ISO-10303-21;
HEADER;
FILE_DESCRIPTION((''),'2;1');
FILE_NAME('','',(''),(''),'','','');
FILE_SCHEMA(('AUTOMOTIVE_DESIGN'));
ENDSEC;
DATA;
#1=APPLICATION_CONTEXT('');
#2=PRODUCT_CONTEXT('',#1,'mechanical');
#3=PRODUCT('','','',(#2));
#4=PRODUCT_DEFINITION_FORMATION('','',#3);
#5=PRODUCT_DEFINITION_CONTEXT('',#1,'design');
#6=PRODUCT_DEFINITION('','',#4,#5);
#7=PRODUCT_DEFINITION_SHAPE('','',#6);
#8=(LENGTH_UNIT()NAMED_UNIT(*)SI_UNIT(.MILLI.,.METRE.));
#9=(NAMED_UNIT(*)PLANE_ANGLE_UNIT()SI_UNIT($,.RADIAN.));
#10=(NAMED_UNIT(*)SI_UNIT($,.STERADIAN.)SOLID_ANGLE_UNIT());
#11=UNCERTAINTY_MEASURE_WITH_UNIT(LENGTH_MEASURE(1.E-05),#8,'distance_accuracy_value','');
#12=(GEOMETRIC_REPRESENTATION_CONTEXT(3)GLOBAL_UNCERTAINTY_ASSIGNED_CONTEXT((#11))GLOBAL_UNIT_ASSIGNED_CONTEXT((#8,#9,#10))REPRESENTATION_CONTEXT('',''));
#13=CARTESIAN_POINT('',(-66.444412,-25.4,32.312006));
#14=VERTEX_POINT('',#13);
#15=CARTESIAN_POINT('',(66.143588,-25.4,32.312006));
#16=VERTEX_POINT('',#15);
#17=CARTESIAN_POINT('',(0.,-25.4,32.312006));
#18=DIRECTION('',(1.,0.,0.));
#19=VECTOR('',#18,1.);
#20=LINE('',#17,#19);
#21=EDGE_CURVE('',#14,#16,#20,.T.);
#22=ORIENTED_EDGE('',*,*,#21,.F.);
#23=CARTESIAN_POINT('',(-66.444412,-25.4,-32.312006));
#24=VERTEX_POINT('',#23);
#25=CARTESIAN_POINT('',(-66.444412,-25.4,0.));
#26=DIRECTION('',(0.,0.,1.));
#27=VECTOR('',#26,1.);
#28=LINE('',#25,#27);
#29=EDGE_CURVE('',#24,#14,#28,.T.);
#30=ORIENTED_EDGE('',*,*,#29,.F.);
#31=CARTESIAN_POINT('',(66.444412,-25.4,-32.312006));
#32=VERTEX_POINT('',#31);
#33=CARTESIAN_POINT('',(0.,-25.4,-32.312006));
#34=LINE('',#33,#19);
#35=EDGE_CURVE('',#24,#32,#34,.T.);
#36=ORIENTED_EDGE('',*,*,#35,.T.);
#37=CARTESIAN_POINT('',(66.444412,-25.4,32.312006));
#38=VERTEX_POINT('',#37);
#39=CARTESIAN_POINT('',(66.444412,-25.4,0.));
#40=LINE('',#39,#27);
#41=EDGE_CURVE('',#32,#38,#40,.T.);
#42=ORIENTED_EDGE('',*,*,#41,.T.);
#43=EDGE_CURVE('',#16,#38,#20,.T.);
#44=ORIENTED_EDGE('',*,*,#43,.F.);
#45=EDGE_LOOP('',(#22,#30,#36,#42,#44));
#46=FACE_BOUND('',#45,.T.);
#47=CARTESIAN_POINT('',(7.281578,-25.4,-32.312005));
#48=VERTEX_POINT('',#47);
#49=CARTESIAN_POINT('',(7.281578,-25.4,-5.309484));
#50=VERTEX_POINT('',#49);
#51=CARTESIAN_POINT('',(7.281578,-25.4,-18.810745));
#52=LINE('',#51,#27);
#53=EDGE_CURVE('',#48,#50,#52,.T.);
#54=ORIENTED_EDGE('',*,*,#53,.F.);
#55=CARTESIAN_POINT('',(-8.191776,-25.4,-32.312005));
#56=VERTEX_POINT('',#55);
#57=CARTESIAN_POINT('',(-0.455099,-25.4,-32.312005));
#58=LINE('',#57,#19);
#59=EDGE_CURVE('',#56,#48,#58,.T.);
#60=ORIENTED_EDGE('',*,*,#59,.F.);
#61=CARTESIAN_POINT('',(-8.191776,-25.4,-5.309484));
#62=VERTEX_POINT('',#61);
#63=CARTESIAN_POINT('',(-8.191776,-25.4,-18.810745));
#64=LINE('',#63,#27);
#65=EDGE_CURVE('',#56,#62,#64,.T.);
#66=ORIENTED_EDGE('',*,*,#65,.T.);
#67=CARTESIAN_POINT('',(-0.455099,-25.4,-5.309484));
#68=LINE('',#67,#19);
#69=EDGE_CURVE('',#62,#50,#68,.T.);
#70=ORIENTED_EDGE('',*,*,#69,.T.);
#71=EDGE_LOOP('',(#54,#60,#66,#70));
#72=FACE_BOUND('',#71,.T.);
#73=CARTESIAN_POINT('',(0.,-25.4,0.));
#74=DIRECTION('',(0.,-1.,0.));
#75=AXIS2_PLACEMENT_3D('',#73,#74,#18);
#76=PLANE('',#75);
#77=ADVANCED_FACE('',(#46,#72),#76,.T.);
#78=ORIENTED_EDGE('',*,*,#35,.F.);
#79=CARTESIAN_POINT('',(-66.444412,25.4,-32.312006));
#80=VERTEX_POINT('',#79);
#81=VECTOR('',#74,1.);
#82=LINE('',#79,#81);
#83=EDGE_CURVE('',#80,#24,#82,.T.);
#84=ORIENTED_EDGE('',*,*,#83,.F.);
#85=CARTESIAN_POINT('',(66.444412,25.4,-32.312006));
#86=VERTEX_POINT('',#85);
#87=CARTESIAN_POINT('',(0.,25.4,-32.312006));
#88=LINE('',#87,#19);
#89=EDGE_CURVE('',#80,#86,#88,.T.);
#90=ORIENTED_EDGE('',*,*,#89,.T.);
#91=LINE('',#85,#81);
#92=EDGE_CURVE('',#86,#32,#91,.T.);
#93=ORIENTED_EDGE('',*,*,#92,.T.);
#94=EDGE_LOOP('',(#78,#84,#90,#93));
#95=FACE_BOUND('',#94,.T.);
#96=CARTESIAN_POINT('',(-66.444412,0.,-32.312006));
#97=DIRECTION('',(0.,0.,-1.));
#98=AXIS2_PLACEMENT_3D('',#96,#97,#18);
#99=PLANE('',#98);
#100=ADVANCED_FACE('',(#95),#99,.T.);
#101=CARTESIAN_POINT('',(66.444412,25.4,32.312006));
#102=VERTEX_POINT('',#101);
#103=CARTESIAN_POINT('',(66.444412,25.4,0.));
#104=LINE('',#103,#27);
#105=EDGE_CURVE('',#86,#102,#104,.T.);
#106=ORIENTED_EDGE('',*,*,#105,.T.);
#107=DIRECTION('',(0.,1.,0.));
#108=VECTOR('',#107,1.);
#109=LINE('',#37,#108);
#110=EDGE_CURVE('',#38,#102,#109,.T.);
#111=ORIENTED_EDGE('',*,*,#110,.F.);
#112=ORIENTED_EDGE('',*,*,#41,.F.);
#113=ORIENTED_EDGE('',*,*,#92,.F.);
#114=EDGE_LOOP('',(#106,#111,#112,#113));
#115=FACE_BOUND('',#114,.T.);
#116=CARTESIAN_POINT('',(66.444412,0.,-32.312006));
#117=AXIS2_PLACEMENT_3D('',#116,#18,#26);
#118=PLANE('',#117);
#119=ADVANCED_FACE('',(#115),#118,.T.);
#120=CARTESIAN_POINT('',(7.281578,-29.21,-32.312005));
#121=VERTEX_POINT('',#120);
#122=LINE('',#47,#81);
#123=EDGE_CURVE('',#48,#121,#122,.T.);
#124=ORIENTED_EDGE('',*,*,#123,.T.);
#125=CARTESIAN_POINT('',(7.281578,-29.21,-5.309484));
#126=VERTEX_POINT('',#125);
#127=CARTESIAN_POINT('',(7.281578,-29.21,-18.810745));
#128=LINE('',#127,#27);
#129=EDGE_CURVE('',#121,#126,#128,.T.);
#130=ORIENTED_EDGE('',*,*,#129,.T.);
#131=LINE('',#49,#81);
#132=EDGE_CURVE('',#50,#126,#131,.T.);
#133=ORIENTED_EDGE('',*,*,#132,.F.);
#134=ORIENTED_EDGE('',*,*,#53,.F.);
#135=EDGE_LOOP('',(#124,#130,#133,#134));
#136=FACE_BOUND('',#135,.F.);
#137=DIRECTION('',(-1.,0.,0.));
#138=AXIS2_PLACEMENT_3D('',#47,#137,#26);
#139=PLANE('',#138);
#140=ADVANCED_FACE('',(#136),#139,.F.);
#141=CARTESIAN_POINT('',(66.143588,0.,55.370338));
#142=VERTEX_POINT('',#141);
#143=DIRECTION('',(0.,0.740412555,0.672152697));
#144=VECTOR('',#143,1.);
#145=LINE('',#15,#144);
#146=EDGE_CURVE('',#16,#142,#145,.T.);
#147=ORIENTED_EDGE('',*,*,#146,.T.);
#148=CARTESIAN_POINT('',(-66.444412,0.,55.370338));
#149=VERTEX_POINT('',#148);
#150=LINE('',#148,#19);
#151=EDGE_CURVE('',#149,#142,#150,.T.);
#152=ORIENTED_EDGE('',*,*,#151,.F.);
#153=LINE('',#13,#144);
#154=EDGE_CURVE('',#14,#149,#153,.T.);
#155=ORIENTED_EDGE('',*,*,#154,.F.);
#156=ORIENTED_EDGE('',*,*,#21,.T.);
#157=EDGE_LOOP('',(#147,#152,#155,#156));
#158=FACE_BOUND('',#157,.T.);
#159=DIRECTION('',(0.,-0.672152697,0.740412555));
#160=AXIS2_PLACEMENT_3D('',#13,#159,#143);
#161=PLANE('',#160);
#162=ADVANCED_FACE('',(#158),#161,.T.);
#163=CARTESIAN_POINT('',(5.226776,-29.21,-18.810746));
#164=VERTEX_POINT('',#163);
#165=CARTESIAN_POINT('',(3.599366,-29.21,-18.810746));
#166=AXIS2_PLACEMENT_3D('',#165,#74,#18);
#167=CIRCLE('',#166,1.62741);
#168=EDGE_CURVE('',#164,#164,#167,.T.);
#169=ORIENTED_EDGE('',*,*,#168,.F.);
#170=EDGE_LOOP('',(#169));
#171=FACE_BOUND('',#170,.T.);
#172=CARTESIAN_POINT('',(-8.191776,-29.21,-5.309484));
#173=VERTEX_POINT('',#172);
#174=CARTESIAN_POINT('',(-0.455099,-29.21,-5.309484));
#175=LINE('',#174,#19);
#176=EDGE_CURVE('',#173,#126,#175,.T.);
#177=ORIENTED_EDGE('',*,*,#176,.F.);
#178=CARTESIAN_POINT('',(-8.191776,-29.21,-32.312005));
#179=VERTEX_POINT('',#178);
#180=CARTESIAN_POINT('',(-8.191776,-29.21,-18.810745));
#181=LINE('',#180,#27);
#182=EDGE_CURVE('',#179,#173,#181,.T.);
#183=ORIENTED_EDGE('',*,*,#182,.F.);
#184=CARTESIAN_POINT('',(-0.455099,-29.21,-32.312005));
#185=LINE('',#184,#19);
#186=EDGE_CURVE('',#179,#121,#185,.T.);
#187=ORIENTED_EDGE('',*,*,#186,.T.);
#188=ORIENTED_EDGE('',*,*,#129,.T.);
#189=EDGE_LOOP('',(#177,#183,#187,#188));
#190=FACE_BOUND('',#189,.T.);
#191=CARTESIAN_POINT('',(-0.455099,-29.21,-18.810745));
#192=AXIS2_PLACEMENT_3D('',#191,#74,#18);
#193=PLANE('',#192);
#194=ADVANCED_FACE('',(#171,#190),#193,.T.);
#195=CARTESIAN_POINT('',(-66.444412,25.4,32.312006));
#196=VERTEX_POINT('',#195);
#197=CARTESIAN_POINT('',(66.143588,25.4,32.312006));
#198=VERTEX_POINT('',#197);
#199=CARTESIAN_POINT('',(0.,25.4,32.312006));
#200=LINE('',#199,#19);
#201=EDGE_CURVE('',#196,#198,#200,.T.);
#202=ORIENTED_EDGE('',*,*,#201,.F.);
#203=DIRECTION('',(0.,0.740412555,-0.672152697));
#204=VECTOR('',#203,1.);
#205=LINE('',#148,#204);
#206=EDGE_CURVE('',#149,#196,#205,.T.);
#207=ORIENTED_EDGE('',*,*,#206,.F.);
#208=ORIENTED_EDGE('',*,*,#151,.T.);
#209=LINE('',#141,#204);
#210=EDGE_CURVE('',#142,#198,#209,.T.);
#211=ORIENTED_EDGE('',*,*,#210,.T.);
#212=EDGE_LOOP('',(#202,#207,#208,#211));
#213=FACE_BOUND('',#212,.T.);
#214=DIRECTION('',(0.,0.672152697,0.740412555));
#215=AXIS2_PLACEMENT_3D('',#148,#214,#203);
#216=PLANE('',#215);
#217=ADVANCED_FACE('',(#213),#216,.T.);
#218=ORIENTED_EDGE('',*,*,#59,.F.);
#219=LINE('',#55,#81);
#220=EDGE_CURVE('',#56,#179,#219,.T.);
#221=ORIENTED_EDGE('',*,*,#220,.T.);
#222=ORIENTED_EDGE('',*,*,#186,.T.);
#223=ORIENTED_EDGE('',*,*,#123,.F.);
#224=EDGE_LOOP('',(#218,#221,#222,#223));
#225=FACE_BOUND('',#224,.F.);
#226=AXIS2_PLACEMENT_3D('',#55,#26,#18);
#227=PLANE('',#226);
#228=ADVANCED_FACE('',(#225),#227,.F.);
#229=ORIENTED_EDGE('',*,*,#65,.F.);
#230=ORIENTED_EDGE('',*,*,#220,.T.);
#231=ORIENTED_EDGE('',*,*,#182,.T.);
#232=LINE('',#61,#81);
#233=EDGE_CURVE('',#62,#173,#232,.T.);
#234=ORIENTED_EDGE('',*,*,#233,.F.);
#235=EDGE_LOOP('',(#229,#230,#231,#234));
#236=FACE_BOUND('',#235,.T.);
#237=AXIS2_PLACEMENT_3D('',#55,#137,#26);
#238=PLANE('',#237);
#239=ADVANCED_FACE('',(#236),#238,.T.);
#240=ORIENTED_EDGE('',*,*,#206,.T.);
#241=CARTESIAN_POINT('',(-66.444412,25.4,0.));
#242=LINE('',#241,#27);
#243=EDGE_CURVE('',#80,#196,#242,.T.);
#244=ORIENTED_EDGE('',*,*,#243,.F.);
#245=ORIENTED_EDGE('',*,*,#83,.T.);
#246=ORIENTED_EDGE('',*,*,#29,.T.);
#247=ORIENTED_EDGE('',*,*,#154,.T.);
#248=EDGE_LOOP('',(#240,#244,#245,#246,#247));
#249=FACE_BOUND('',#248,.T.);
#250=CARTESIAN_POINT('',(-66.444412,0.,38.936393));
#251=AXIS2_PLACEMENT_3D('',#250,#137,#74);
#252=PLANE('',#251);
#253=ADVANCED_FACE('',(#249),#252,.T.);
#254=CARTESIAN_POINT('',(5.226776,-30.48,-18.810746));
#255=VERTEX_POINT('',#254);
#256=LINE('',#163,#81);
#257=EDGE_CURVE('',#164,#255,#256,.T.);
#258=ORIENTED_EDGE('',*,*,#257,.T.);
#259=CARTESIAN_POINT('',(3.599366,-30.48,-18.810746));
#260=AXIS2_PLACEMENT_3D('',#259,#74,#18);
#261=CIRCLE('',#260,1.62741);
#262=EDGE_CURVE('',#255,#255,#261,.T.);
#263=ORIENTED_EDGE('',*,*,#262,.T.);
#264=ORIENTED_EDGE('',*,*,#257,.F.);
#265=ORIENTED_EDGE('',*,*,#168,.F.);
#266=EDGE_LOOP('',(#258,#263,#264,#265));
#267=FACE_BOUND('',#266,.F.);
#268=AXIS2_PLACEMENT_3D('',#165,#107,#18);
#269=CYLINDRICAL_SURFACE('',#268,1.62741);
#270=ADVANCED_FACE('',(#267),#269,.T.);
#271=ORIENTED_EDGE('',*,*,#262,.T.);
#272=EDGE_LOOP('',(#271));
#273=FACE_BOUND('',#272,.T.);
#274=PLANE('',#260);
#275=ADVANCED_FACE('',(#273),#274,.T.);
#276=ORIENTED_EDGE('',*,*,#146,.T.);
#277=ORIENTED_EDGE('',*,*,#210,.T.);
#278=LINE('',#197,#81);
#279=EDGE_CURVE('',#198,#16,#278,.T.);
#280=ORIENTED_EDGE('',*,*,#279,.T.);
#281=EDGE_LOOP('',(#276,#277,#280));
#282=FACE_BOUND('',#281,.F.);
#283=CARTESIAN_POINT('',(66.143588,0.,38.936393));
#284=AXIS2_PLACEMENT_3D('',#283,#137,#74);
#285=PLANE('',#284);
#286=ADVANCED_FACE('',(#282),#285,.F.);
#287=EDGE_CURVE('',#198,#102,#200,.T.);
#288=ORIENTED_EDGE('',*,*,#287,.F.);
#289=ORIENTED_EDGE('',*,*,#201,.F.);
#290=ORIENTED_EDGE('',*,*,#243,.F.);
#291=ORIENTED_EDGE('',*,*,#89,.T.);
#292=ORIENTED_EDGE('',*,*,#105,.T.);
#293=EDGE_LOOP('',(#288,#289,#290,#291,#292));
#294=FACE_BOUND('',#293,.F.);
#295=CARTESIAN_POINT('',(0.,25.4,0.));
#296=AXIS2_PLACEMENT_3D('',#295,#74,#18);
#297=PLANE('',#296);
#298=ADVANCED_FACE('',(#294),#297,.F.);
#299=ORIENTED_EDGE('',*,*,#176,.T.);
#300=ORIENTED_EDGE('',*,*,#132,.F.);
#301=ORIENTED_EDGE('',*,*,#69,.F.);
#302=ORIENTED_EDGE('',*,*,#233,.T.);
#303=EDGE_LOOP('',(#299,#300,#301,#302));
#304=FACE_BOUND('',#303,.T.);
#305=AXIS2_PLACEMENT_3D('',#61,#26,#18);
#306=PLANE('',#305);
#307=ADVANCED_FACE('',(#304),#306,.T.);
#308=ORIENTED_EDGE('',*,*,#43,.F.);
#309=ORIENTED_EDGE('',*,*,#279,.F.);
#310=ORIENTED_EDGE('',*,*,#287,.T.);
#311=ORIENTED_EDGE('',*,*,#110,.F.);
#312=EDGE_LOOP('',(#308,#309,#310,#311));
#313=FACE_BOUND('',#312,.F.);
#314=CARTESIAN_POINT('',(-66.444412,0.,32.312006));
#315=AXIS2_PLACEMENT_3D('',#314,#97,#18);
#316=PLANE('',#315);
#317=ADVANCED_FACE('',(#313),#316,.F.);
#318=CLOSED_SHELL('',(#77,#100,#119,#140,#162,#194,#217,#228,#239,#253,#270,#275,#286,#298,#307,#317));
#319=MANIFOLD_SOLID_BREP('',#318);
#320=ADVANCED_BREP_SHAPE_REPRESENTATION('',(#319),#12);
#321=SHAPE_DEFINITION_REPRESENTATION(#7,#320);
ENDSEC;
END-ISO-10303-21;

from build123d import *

# Parameters (mm, degrees)
F0_W     = 132.888824
F0_H     = 64.624012
F1_DEPTH = 25.4
F2_W     = 15.473353
F2_H     = 27.002521
F3_DEPTH = 3.81
F4_R     = 1.62741
F5_DEPTH = 1.27
F7_DEPTH = 132.588


with BuildPart() as f1:
    # F0 (on Front) → F1 (new body, symmetric)
    with BuildSketch(Plane.XZ):
        Rectangle(F0_W, F0_H)
    extrude(amount=F1_DEPTH, both=True)

    # F2 (on face) → F3 (join)
    with BuildSketch(Plane.XZ.offset(25.4)):
        with Locations((-0.455099, -18.810745)):
            Rectangle(F2_W, F2_H)
    extrude(amount=F3_DEPTH)

    # F4 (on face) → F5 (join)
    with BuildSketch(Plane.XZ.offset(29.21)):
        with Locations((3.599366, -18.810746)):
            Circle(F4_R)
    extrude(amount=F5_DEPTH)

    # F6 (on face) → F7 (join)
    with BuildSketch(Plane(origin=(-66.444412, 0, 0), x_dir=(0, -1, 0), z_dir=(-1, 0, 0))):
        Polygon((25.4, 32.312006), (0, 55.370338), (-25.4, 32.312006), align=None)
    extrude(amount=-F7_DEPTH)


solid = f1.part
